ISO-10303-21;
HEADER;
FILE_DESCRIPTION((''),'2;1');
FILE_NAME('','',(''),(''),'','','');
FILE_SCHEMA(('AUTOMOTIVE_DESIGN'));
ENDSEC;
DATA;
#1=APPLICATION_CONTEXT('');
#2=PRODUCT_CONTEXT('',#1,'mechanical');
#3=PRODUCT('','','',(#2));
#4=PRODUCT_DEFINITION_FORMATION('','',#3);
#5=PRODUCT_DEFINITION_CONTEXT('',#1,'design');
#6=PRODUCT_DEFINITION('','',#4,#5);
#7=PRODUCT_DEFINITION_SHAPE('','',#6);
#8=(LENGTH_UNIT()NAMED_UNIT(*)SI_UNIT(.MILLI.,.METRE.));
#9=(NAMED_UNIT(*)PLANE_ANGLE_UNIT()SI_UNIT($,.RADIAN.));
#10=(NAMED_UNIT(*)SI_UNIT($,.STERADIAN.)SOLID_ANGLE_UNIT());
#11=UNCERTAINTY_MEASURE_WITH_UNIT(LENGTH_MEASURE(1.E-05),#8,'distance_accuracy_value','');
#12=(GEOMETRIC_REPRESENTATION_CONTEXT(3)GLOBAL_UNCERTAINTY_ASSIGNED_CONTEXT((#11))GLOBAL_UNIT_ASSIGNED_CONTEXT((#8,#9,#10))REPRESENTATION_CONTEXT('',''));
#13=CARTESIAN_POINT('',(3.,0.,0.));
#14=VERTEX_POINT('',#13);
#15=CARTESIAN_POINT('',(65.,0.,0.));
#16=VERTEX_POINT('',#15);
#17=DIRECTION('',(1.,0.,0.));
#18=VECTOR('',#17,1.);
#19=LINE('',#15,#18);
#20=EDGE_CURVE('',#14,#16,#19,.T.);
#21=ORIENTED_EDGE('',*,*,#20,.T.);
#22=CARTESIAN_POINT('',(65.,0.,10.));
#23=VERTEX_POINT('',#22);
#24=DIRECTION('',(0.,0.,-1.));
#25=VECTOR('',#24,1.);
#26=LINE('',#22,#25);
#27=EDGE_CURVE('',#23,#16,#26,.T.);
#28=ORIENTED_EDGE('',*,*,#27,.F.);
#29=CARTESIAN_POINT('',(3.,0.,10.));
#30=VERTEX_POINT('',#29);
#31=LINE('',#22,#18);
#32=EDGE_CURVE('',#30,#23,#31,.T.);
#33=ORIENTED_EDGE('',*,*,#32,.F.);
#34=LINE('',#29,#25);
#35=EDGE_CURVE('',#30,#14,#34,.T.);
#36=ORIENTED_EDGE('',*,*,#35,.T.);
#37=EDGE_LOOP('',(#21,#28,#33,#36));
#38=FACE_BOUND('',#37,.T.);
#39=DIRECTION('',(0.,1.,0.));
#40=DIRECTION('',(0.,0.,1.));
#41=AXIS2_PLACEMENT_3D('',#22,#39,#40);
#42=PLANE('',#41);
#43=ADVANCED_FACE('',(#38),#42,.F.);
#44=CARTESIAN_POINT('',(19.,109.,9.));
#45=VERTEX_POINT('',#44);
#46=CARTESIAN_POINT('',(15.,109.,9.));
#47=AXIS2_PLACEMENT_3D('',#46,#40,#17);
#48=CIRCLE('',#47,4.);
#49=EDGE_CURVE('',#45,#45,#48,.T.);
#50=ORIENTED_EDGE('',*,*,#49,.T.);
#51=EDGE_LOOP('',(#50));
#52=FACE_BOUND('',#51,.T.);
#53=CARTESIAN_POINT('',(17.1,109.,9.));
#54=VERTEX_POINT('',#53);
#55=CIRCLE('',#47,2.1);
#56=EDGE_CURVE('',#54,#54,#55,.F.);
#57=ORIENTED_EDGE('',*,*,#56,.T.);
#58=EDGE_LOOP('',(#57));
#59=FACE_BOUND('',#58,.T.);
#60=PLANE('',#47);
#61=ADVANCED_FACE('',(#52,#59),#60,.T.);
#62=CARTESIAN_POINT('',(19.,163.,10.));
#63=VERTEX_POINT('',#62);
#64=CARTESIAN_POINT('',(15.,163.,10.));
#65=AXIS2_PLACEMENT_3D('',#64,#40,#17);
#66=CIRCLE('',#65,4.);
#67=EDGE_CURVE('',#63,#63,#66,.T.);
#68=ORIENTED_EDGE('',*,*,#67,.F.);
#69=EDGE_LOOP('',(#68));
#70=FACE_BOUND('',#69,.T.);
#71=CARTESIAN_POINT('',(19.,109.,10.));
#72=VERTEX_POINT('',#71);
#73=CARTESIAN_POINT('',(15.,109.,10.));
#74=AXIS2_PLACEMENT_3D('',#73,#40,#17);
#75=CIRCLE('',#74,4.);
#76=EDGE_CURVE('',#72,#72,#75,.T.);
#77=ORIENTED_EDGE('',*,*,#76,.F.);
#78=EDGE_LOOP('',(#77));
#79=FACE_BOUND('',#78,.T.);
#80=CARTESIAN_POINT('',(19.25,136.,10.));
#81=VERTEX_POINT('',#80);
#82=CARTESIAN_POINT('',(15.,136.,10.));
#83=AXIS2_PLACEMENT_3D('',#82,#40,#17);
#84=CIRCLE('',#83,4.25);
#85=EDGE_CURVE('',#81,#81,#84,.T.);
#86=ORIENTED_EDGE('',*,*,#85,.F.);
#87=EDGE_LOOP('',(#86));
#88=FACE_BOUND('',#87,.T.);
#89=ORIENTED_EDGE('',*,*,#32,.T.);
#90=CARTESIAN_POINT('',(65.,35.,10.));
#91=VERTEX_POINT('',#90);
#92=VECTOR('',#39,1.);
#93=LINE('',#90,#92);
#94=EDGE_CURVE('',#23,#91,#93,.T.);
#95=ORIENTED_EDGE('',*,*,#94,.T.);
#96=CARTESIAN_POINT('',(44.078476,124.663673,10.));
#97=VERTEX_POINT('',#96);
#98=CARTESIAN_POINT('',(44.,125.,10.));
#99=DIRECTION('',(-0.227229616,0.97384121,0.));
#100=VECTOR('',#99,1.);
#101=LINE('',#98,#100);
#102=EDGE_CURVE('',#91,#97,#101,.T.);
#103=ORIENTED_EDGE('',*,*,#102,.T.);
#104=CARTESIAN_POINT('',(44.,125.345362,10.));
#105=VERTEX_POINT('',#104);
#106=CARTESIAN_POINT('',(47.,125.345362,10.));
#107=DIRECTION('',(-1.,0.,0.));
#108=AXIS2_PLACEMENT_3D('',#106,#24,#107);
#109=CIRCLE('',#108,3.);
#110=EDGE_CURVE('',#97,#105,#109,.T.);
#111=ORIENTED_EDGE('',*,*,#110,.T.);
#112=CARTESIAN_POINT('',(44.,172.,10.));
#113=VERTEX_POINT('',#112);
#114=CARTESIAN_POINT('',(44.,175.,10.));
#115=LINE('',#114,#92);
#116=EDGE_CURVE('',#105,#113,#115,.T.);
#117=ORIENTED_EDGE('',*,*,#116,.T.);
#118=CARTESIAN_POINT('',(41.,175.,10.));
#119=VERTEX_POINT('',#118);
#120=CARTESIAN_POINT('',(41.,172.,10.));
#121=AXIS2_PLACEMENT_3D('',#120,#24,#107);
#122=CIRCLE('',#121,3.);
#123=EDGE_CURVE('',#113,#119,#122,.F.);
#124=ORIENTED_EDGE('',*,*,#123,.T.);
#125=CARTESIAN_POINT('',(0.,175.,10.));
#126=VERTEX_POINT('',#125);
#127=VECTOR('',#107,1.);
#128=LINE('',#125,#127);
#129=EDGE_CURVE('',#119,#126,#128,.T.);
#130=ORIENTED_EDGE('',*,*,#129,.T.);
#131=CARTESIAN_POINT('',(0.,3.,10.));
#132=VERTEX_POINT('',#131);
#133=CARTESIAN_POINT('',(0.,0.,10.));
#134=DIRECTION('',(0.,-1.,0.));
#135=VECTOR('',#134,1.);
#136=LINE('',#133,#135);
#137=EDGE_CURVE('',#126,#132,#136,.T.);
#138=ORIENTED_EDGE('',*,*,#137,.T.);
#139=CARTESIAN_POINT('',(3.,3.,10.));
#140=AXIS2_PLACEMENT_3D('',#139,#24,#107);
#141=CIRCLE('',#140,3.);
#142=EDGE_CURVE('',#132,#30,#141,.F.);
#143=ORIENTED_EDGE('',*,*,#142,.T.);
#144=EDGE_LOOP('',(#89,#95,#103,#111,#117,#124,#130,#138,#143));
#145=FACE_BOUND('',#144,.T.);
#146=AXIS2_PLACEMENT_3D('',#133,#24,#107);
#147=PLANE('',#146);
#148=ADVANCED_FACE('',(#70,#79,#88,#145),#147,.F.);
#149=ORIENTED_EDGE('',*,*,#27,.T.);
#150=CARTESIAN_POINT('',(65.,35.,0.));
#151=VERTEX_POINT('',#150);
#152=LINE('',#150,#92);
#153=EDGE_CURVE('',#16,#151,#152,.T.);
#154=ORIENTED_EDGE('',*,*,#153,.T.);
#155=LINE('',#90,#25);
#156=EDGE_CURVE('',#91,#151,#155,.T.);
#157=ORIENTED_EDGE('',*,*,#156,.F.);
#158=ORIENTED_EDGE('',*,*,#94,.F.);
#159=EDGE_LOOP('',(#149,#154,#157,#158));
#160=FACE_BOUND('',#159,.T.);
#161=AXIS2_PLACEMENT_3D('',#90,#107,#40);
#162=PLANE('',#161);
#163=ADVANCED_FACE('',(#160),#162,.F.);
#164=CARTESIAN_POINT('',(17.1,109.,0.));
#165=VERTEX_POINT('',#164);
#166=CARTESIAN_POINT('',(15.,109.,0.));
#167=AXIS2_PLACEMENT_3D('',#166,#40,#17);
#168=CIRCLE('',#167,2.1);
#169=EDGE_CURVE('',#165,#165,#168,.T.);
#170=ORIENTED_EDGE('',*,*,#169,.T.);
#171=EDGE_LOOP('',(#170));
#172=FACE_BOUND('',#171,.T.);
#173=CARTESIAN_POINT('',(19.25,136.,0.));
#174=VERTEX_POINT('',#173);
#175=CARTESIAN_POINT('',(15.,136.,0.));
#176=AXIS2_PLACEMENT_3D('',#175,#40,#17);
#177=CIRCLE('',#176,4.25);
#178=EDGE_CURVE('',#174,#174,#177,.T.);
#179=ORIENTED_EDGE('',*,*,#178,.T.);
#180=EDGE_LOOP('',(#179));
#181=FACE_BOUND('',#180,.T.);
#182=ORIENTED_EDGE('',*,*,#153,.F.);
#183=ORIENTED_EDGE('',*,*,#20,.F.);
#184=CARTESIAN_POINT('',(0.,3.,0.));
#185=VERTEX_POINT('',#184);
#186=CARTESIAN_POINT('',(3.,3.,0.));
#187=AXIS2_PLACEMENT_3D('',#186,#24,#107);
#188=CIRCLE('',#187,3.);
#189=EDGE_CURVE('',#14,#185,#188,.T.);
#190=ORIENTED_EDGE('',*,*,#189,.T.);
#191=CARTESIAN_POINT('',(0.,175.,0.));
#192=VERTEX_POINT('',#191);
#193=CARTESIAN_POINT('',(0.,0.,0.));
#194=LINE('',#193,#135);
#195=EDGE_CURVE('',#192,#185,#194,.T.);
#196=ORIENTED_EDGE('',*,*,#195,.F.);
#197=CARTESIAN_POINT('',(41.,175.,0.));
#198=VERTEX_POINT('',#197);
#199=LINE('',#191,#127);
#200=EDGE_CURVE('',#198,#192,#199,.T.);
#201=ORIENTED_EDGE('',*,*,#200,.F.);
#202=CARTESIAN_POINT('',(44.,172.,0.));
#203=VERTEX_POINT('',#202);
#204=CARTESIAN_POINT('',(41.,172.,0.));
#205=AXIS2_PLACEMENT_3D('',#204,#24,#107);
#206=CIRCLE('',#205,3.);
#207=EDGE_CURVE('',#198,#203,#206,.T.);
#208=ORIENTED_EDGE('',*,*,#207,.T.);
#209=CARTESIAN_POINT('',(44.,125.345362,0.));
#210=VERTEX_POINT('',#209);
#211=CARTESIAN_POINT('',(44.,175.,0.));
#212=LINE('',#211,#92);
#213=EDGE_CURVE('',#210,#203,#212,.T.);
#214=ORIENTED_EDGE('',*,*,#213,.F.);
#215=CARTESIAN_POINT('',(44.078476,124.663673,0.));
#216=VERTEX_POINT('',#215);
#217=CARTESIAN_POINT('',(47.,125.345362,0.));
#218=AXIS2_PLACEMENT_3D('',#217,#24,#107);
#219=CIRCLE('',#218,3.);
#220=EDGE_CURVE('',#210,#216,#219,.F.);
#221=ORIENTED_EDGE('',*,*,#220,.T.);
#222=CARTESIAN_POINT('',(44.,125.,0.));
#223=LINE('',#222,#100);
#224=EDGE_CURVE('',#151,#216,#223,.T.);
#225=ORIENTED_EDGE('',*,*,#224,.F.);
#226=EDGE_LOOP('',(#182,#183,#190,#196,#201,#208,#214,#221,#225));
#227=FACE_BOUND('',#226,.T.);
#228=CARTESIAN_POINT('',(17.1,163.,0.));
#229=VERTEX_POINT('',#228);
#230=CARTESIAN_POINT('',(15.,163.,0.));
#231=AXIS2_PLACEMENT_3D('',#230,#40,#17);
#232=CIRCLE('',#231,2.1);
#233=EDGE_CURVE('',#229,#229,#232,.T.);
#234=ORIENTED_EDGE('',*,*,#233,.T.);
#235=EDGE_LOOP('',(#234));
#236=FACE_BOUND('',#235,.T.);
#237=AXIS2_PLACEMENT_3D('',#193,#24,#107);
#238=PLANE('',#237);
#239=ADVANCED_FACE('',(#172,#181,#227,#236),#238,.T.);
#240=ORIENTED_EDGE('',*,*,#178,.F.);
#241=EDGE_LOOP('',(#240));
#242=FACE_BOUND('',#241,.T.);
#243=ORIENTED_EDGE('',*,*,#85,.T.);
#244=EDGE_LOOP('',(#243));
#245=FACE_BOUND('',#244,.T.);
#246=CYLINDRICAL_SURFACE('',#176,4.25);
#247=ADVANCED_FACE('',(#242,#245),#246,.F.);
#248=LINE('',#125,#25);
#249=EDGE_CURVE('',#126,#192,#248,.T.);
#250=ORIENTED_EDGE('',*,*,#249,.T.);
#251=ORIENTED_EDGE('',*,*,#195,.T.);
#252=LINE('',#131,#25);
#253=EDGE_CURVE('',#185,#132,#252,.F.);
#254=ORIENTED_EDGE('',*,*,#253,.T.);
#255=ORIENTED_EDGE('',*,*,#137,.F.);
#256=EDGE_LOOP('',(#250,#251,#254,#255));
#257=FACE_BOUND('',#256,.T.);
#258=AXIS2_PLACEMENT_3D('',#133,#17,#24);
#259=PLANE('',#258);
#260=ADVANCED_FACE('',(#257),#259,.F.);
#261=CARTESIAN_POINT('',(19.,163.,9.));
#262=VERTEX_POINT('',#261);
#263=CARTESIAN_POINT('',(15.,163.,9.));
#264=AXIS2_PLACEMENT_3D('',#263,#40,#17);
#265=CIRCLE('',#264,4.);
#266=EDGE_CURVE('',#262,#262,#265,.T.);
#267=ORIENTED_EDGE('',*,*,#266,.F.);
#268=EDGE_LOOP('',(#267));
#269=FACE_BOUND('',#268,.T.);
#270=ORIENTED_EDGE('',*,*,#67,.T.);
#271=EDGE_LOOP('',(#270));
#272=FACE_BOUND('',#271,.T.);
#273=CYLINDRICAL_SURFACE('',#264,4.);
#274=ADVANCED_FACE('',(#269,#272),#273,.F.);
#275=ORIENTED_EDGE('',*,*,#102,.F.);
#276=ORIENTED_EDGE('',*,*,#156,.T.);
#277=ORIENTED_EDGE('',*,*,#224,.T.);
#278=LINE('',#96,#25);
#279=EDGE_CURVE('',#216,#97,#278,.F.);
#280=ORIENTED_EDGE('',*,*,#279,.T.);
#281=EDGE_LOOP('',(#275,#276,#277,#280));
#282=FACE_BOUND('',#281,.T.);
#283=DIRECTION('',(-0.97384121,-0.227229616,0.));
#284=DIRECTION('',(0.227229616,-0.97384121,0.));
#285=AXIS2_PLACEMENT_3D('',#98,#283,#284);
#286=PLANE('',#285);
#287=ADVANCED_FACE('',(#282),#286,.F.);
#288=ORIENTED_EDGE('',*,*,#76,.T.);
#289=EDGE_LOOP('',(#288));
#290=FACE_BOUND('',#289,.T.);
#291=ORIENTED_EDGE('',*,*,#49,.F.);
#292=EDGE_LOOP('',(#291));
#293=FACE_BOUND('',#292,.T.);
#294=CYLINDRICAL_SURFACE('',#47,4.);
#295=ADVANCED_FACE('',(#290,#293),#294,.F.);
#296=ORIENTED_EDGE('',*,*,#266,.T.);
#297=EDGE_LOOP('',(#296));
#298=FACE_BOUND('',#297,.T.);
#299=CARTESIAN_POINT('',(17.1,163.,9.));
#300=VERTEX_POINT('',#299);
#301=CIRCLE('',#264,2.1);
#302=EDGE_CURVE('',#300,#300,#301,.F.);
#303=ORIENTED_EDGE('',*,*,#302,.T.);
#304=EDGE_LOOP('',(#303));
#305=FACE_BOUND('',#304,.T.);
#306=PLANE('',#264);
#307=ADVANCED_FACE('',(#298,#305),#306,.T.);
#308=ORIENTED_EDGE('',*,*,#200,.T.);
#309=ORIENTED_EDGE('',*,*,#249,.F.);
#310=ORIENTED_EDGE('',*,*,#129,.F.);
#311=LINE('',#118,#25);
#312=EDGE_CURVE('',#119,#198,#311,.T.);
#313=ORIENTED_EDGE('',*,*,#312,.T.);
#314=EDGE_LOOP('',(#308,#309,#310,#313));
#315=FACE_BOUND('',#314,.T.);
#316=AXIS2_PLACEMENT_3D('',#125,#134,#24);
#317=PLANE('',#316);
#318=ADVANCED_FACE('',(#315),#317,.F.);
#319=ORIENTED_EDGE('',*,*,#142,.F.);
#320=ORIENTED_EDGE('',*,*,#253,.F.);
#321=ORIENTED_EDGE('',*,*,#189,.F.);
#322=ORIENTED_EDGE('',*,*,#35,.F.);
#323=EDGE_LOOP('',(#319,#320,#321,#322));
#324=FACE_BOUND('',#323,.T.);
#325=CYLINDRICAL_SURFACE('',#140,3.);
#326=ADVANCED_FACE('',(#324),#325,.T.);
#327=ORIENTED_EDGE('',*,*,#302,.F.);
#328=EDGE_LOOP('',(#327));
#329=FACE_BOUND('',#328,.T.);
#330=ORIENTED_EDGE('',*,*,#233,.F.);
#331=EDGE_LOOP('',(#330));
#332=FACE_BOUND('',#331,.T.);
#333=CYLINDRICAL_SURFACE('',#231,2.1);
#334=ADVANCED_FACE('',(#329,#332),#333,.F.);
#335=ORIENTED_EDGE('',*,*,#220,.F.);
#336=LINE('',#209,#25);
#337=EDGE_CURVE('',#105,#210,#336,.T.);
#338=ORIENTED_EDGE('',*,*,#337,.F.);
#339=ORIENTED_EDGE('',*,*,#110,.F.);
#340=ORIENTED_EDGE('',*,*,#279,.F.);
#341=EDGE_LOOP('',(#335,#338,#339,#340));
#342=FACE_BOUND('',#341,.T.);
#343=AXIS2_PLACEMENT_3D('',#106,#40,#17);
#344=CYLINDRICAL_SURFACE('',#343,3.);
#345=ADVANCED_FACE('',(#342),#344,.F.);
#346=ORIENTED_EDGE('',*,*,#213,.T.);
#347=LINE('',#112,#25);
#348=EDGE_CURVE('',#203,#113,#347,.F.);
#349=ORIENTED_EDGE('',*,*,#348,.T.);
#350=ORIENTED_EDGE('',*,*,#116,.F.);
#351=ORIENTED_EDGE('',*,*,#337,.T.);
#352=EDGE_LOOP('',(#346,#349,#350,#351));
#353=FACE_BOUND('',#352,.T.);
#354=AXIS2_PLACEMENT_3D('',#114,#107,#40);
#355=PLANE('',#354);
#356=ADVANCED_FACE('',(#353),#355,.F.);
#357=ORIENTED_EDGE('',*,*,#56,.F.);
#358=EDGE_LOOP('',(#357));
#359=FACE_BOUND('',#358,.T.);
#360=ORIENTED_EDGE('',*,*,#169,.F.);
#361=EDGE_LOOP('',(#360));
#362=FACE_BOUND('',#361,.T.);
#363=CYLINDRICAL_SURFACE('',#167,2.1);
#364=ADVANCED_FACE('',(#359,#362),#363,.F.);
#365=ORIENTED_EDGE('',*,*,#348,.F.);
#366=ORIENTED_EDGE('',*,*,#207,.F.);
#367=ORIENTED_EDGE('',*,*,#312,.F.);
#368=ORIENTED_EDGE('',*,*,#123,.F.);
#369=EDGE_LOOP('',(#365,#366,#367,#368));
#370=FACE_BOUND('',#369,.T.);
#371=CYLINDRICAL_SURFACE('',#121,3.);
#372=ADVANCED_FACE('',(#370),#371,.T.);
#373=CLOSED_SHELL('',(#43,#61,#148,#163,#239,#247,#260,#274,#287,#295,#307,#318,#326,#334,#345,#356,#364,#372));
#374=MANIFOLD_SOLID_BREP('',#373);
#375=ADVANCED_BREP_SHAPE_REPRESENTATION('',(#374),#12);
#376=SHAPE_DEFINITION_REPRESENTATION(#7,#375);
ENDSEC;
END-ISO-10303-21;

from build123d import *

# Parameters (mm, degrees)
EXTRUDE_1_DEPTH     = 10
SKETCH_6_R          = 2.1
CUT_EXTRUDE_5_DEPTH = 187.949190958
SKETCH_7_R          = 4
CUT_EXTRUDE_6_DEPTH = 1
FILLET_1_R          = 3
SKETCH_8_R          = 4.25
CUT_EXTRUDE_7_DEPTH = 10


with BuildPart() as part:
    # 草图5 → 凸台-拉伸1 (new body)
    with BuildSketch(Plane.XY):
        Polygon((0, 0), (0, 175), (44, 175), (44, 125), (65, 35), (65, 0), align=None)
    extrude(amount=EXTRUDE_1_DEPTH)

    # 草图6 → 切除-拉伸5 (cut, through all)
    with BuildSketch(Plane.XY.offset(10)):
        with Locations((15, 163)):
            Circle(SKETCH_6_R)
        with Locations((15, 109)):
            Circle(SKETCH_6_R)
    extrude(amount=-CUT_EXTRUDE_5_DEPTH, mode=Mode.SUBTRACT)

    # 草图7 → 切除-拉伸6 (cut)
    with BuildSketch(Plane.XY.offset(10)):
        with Locations((15, 163)):
            Circle(SKETCH_7_R)
        with Locations((15, 109)):
            Circle(SKETCH_7_R)
    extrude(amount=-CUT_EXTRUDE_6_DEPTH, mode=Mode.SUBTRACT)

    # 圆角1
    fillet_1_edges = [part.edges().sort_by_distance(p)[0] for p in [
        (0, 0, 5),
        (44, 175, 5),
        (44, 125, 5),
    ]]
    fillet(fillet_1_edges, radius=FILLET_1_R)

    # 草图8 → 切除-拉伸7 (cut)
    with BuildSketch(Plane.XY.offset(10)):
        with Locations((15, 136)):
            Circle(SKETCH_8_R)
    extrude(amount=-CUT_EXTRUDE_7_DEPTH, mode=Mode.SUBTRACT)


solid = part.part
